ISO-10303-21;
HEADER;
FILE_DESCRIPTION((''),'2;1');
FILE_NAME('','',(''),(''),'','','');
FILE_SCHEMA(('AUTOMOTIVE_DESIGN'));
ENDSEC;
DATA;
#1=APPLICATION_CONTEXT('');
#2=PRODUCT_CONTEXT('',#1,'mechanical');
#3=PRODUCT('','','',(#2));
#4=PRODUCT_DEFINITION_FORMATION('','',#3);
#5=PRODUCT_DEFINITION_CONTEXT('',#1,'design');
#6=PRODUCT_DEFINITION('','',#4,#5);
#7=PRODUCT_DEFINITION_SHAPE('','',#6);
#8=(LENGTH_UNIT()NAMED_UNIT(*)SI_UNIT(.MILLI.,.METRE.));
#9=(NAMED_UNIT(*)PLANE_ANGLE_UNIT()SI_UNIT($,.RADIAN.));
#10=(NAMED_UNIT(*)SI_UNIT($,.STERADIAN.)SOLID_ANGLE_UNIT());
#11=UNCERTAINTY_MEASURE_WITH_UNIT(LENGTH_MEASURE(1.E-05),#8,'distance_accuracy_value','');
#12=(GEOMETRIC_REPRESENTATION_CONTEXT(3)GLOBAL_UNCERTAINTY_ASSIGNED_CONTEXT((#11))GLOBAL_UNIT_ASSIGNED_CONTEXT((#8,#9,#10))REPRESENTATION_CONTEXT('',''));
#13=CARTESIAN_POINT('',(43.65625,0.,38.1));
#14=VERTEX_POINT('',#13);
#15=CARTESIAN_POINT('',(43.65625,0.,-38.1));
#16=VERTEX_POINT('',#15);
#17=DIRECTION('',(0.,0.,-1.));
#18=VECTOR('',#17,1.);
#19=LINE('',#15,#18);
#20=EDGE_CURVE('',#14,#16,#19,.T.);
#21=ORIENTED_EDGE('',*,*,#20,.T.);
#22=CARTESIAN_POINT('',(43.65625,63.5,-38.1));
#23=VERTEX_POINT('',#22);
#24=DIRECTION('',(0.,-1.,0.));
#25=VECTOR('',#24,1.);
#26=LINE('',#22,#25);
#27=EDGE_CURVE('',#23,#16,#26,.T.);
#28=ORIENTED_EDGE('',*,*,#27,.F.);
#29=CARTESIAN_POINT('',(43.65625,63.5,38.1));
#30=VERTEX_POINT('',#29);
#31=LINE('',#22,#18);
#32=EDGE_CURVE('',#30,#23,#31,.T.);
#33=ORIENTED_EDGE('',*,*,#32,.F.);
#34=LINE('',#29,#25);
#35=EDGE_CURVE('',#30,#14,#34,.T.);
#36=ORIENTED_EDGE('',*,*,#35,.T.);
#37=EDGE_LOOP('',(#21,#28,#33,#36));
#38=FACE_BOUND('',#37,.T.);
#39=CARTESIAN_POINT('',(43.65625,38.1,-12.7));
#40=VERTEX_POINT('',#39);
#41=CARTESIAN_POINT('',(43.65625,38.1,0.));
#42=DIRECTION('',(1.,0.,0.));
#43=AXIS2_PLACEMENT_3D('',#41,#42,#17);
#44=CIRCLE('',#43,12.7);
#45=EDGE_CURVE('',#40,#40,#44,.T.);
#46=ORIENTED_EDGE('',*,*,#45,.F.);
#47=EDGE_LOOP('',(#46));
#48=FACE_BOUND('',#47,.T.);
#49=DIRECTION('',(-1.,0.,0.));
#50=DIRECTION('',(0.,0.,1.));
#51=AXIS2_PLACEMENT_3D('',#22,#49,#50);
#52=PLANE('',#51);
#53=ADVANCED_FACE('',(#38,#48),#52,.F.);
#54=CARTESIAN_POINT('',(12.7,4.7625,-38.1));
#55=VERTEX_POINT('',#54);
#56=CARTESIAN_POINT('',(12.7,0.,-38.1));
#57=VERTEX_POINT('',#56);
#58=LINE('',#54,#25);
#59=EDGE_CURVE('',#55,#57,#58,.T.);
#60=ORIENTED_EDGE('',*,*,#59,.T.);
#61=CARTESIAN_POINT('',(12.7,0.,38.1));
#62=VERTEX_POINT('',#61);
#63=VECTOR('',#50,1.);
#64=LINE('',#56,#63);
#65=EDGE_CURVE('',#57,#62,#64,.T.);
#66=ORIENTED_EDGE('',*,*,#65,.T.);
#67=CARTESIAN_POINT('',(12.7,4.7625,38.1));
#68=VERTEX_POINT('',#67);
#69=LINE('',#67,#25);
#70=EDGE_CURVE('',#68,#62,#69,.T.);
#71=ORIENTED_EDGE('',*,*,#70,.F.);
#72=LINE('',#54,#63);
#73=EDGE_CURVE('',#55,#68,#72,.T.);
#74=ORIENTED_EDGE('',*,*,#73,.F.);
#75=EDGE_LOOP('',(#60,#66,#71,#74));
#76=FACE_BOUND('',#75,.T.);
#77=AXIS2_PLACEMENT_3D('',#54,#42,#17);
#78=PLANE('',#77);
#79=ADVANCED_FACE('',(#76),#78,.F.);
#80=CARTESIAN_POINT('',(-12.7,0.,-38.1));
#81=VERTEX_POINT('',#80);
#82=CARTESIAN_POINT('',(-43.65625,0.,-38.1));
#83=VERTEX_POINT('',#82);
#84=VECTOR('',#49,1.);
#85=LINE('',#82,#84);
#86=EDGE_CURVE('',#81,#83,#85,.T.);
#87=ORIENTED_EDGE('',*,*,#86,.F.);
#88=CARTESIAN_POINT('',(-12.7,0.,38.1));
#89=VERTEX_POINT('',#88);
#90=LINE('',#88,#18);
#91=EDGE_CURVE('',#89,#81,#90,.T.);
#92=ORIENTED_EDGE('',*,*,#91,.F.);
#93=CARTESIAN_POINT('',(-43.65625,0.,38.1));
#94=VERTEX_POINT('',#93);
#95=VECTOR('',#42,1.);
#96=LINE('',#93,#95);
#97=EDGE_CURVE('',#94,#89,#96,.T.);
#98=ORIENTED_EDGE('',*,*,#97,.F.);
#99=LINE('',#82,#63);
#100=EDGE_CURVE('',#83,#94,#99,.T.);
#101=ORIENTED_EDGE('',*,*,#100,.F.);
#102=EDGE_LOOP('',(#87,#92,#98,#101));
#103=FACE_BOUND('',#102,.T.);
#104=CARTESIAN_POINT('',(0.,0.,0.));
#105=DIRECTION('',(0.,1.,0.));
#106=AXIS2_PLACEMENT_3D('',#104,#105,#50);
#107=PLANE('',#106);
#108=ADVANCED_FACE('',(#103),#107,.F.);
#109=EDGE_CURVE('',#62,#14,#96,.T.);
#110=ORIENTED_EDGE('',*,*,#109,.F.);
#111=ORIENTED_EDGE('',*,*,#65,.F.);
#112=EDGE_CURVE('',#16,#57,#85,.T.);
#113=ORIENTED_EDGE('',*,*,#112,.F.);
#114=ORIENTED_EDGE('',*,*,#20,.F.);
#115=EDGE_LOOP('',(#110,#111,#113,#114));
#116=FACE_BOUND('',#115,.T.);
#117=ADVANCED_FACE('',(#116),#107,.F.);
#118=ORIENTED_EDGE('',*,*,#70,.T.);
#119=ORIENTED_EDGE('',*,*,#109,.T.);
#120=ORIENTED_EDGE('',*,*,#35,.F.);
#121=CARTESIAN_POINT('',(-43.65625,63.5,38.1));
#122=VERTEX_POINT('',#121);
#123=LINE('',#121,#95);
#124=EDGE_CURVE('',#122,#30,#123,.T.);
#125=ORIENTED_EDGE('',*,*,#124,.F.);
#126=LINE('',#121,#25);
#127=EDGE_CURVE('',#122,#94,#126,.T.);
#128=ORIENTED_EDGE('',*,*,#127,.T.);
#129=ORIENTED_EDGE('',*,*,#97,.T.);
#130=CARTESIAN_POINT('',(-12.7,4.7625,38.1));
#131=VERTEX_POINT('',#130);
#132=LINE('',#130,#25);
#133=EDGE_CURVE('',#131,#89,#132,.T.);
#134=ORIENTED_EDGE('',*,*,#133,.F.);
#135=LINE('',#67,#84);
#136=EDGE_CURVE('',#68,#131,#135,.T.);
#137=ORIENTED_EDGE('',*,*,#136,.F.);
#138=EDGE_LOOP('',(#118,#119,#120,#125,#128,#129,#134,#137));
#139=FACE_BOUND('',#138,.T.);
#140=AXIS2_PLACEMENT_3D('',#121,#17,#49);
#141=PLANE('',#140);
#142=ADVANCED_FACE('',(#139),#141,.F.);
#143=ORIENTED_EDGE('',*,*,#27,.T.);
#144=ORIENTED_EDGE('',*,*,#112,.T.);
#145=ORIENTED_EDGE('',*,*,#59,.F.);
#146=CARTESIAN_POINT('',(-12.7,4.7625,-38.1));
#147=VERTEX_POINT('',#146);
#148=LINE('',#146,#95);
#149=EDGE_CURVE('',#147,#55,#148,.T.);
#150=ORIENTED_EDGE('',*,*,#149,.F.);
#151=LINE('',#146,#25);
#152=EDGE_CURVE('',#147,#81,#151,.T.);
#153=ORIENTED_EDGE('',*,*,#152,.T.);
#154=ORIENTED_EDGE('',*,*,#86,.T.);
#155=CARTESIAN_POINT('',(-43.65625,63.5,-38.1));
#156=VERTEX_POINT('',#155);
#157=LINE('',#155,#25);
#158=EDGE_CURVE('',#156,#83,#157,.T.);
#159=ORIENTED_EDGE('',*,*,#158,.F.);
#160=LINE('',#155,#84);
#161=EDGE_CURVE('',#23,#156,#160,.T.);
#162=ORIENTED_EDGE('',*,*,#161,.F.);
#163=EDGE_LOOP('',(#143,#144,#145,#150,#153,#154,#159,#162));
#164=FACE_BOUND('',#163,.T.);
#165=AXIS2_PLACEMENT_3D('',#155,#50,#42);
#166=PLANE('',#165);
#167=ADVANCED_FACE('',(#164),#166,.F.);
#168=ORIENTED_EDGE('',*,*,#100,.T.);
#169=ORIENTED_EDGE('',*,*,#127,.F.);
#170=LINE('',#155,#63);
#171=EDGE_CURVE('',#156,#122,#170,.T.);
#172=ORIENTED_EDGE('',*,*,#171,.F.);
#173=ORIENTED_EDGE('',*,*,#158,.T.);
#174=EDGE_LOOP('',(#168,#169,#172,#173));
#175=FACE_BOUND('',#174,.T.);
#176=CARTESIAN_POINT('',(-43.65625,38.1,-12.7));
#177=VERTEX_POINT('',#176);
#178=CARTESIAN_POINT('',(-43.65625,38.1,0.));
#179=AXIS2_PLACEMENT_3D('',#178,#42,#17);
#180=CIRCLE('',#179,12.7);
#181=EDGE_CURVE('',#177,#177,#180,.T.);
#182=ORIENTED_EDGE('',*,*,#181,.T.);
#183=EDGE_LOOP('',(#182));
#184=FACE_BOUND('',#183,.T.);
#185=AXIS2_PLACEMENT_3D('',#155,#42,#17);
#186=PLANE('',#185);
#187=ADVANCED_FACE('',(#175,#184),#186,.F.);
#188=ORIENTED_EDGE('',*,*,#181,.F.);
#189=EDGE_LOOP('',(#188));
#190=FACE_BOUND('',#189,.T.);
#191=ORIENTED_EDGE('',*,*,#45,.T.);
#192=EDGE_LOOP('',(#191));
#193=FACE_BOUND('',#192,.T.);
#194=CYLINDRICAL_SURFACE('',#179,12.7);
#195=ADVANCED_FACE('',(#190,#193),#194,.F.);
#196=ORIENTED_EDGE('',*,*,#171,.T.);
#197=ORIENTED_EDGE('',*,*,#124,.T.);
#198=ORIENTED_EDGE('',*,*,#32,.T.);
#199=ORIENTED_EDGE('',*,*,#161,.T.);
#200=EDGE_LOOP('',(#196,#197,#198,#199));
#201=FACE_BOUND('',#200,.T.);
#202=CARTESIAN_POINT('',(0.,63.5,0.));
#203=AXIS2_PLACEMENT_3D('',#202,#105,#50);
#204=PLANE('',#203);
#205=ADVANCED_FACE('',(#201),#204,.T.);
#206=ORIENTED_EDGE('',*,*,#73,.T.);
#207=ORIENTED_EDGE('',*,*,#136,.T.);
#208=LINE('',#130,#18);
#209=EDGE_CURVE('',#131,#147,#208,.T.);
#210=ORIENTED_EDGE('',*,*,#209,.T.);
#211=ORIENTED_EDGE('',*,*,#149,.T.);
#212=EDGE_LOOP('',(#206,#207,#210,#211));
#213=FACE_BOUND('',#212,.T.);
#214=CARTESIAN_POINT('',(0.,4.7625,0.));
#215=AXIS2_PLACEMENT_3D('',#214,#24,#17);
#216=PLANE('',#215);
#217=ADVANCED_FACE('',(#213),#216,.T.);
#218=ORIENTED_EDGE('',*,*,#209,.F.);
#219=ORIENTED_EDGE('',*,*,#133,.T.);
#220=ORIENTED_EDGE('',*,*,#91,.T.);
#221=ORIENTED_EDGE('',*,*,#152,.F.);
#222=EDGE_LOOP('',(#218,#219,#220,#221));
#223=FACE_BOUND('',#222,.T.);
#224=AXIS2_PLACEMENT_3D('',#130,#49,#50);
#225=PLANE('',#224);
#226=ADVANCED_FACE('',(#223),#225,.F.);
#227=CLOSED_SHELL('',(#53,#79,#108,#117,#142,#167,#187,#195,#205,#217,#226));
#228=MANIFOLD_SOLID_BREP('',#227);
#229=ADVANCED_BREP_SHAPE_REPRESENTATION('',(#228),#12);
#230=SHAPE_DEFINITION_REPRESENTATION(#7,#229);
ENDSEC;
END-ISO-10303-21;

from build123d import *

# Parameters (mm, degrees)
SKETCH1_W           = 87.3125
SKETCH1_H           = 76.2
BOSS_EXTRUDE1_DEPTH = 63.5
SKETCH2_W           = 25.4
SKETCH2_H           = 76.2
CUT_EXTRUDE1_DEPTH  = 4.7625
SKETCH3_R           = 12.7
CUT_EXTRUDE2_DEPTH  = 88.3125


with BuildPart() as part:
    # Sketch1 → Boss-Extrude1 (new body)
    with BuildSketch(Plane(origin=(0, 0, 0), x_dir=(1, 0, 0), z_dir=(0, 1, 0))):
        Rectangle(SKETCH1_W, SKETCH1_H)
    extrude(amount=BOSS_EXTRUDE1_DEPTH)

    # Sketch2 → Cut-Extrude1 (cut)
    with BuildSketch(Plane.XZ):
        Rectangle(SKETCH2_W, SKETCH2_H)
    extrude(amount=-CUT_EXTRUDE1_DEPTH, mode=Mode.SUBTRACT)

    # Sketch3 → Cut-Extrude2 (cut, through all)
    with BuildSketch(Plane(origin=(43.65625, 0, 0), x_dir=(0, 0, -1), z_dir=(1, 0, 0))):
        with Locations((0, 38.1)):
            Circle(SKETCH3_R)
    extrude(amount=-CUT_EXTRUDE2_DEPTH, mode=Mode.SUBTRACT)


solid = part.part
